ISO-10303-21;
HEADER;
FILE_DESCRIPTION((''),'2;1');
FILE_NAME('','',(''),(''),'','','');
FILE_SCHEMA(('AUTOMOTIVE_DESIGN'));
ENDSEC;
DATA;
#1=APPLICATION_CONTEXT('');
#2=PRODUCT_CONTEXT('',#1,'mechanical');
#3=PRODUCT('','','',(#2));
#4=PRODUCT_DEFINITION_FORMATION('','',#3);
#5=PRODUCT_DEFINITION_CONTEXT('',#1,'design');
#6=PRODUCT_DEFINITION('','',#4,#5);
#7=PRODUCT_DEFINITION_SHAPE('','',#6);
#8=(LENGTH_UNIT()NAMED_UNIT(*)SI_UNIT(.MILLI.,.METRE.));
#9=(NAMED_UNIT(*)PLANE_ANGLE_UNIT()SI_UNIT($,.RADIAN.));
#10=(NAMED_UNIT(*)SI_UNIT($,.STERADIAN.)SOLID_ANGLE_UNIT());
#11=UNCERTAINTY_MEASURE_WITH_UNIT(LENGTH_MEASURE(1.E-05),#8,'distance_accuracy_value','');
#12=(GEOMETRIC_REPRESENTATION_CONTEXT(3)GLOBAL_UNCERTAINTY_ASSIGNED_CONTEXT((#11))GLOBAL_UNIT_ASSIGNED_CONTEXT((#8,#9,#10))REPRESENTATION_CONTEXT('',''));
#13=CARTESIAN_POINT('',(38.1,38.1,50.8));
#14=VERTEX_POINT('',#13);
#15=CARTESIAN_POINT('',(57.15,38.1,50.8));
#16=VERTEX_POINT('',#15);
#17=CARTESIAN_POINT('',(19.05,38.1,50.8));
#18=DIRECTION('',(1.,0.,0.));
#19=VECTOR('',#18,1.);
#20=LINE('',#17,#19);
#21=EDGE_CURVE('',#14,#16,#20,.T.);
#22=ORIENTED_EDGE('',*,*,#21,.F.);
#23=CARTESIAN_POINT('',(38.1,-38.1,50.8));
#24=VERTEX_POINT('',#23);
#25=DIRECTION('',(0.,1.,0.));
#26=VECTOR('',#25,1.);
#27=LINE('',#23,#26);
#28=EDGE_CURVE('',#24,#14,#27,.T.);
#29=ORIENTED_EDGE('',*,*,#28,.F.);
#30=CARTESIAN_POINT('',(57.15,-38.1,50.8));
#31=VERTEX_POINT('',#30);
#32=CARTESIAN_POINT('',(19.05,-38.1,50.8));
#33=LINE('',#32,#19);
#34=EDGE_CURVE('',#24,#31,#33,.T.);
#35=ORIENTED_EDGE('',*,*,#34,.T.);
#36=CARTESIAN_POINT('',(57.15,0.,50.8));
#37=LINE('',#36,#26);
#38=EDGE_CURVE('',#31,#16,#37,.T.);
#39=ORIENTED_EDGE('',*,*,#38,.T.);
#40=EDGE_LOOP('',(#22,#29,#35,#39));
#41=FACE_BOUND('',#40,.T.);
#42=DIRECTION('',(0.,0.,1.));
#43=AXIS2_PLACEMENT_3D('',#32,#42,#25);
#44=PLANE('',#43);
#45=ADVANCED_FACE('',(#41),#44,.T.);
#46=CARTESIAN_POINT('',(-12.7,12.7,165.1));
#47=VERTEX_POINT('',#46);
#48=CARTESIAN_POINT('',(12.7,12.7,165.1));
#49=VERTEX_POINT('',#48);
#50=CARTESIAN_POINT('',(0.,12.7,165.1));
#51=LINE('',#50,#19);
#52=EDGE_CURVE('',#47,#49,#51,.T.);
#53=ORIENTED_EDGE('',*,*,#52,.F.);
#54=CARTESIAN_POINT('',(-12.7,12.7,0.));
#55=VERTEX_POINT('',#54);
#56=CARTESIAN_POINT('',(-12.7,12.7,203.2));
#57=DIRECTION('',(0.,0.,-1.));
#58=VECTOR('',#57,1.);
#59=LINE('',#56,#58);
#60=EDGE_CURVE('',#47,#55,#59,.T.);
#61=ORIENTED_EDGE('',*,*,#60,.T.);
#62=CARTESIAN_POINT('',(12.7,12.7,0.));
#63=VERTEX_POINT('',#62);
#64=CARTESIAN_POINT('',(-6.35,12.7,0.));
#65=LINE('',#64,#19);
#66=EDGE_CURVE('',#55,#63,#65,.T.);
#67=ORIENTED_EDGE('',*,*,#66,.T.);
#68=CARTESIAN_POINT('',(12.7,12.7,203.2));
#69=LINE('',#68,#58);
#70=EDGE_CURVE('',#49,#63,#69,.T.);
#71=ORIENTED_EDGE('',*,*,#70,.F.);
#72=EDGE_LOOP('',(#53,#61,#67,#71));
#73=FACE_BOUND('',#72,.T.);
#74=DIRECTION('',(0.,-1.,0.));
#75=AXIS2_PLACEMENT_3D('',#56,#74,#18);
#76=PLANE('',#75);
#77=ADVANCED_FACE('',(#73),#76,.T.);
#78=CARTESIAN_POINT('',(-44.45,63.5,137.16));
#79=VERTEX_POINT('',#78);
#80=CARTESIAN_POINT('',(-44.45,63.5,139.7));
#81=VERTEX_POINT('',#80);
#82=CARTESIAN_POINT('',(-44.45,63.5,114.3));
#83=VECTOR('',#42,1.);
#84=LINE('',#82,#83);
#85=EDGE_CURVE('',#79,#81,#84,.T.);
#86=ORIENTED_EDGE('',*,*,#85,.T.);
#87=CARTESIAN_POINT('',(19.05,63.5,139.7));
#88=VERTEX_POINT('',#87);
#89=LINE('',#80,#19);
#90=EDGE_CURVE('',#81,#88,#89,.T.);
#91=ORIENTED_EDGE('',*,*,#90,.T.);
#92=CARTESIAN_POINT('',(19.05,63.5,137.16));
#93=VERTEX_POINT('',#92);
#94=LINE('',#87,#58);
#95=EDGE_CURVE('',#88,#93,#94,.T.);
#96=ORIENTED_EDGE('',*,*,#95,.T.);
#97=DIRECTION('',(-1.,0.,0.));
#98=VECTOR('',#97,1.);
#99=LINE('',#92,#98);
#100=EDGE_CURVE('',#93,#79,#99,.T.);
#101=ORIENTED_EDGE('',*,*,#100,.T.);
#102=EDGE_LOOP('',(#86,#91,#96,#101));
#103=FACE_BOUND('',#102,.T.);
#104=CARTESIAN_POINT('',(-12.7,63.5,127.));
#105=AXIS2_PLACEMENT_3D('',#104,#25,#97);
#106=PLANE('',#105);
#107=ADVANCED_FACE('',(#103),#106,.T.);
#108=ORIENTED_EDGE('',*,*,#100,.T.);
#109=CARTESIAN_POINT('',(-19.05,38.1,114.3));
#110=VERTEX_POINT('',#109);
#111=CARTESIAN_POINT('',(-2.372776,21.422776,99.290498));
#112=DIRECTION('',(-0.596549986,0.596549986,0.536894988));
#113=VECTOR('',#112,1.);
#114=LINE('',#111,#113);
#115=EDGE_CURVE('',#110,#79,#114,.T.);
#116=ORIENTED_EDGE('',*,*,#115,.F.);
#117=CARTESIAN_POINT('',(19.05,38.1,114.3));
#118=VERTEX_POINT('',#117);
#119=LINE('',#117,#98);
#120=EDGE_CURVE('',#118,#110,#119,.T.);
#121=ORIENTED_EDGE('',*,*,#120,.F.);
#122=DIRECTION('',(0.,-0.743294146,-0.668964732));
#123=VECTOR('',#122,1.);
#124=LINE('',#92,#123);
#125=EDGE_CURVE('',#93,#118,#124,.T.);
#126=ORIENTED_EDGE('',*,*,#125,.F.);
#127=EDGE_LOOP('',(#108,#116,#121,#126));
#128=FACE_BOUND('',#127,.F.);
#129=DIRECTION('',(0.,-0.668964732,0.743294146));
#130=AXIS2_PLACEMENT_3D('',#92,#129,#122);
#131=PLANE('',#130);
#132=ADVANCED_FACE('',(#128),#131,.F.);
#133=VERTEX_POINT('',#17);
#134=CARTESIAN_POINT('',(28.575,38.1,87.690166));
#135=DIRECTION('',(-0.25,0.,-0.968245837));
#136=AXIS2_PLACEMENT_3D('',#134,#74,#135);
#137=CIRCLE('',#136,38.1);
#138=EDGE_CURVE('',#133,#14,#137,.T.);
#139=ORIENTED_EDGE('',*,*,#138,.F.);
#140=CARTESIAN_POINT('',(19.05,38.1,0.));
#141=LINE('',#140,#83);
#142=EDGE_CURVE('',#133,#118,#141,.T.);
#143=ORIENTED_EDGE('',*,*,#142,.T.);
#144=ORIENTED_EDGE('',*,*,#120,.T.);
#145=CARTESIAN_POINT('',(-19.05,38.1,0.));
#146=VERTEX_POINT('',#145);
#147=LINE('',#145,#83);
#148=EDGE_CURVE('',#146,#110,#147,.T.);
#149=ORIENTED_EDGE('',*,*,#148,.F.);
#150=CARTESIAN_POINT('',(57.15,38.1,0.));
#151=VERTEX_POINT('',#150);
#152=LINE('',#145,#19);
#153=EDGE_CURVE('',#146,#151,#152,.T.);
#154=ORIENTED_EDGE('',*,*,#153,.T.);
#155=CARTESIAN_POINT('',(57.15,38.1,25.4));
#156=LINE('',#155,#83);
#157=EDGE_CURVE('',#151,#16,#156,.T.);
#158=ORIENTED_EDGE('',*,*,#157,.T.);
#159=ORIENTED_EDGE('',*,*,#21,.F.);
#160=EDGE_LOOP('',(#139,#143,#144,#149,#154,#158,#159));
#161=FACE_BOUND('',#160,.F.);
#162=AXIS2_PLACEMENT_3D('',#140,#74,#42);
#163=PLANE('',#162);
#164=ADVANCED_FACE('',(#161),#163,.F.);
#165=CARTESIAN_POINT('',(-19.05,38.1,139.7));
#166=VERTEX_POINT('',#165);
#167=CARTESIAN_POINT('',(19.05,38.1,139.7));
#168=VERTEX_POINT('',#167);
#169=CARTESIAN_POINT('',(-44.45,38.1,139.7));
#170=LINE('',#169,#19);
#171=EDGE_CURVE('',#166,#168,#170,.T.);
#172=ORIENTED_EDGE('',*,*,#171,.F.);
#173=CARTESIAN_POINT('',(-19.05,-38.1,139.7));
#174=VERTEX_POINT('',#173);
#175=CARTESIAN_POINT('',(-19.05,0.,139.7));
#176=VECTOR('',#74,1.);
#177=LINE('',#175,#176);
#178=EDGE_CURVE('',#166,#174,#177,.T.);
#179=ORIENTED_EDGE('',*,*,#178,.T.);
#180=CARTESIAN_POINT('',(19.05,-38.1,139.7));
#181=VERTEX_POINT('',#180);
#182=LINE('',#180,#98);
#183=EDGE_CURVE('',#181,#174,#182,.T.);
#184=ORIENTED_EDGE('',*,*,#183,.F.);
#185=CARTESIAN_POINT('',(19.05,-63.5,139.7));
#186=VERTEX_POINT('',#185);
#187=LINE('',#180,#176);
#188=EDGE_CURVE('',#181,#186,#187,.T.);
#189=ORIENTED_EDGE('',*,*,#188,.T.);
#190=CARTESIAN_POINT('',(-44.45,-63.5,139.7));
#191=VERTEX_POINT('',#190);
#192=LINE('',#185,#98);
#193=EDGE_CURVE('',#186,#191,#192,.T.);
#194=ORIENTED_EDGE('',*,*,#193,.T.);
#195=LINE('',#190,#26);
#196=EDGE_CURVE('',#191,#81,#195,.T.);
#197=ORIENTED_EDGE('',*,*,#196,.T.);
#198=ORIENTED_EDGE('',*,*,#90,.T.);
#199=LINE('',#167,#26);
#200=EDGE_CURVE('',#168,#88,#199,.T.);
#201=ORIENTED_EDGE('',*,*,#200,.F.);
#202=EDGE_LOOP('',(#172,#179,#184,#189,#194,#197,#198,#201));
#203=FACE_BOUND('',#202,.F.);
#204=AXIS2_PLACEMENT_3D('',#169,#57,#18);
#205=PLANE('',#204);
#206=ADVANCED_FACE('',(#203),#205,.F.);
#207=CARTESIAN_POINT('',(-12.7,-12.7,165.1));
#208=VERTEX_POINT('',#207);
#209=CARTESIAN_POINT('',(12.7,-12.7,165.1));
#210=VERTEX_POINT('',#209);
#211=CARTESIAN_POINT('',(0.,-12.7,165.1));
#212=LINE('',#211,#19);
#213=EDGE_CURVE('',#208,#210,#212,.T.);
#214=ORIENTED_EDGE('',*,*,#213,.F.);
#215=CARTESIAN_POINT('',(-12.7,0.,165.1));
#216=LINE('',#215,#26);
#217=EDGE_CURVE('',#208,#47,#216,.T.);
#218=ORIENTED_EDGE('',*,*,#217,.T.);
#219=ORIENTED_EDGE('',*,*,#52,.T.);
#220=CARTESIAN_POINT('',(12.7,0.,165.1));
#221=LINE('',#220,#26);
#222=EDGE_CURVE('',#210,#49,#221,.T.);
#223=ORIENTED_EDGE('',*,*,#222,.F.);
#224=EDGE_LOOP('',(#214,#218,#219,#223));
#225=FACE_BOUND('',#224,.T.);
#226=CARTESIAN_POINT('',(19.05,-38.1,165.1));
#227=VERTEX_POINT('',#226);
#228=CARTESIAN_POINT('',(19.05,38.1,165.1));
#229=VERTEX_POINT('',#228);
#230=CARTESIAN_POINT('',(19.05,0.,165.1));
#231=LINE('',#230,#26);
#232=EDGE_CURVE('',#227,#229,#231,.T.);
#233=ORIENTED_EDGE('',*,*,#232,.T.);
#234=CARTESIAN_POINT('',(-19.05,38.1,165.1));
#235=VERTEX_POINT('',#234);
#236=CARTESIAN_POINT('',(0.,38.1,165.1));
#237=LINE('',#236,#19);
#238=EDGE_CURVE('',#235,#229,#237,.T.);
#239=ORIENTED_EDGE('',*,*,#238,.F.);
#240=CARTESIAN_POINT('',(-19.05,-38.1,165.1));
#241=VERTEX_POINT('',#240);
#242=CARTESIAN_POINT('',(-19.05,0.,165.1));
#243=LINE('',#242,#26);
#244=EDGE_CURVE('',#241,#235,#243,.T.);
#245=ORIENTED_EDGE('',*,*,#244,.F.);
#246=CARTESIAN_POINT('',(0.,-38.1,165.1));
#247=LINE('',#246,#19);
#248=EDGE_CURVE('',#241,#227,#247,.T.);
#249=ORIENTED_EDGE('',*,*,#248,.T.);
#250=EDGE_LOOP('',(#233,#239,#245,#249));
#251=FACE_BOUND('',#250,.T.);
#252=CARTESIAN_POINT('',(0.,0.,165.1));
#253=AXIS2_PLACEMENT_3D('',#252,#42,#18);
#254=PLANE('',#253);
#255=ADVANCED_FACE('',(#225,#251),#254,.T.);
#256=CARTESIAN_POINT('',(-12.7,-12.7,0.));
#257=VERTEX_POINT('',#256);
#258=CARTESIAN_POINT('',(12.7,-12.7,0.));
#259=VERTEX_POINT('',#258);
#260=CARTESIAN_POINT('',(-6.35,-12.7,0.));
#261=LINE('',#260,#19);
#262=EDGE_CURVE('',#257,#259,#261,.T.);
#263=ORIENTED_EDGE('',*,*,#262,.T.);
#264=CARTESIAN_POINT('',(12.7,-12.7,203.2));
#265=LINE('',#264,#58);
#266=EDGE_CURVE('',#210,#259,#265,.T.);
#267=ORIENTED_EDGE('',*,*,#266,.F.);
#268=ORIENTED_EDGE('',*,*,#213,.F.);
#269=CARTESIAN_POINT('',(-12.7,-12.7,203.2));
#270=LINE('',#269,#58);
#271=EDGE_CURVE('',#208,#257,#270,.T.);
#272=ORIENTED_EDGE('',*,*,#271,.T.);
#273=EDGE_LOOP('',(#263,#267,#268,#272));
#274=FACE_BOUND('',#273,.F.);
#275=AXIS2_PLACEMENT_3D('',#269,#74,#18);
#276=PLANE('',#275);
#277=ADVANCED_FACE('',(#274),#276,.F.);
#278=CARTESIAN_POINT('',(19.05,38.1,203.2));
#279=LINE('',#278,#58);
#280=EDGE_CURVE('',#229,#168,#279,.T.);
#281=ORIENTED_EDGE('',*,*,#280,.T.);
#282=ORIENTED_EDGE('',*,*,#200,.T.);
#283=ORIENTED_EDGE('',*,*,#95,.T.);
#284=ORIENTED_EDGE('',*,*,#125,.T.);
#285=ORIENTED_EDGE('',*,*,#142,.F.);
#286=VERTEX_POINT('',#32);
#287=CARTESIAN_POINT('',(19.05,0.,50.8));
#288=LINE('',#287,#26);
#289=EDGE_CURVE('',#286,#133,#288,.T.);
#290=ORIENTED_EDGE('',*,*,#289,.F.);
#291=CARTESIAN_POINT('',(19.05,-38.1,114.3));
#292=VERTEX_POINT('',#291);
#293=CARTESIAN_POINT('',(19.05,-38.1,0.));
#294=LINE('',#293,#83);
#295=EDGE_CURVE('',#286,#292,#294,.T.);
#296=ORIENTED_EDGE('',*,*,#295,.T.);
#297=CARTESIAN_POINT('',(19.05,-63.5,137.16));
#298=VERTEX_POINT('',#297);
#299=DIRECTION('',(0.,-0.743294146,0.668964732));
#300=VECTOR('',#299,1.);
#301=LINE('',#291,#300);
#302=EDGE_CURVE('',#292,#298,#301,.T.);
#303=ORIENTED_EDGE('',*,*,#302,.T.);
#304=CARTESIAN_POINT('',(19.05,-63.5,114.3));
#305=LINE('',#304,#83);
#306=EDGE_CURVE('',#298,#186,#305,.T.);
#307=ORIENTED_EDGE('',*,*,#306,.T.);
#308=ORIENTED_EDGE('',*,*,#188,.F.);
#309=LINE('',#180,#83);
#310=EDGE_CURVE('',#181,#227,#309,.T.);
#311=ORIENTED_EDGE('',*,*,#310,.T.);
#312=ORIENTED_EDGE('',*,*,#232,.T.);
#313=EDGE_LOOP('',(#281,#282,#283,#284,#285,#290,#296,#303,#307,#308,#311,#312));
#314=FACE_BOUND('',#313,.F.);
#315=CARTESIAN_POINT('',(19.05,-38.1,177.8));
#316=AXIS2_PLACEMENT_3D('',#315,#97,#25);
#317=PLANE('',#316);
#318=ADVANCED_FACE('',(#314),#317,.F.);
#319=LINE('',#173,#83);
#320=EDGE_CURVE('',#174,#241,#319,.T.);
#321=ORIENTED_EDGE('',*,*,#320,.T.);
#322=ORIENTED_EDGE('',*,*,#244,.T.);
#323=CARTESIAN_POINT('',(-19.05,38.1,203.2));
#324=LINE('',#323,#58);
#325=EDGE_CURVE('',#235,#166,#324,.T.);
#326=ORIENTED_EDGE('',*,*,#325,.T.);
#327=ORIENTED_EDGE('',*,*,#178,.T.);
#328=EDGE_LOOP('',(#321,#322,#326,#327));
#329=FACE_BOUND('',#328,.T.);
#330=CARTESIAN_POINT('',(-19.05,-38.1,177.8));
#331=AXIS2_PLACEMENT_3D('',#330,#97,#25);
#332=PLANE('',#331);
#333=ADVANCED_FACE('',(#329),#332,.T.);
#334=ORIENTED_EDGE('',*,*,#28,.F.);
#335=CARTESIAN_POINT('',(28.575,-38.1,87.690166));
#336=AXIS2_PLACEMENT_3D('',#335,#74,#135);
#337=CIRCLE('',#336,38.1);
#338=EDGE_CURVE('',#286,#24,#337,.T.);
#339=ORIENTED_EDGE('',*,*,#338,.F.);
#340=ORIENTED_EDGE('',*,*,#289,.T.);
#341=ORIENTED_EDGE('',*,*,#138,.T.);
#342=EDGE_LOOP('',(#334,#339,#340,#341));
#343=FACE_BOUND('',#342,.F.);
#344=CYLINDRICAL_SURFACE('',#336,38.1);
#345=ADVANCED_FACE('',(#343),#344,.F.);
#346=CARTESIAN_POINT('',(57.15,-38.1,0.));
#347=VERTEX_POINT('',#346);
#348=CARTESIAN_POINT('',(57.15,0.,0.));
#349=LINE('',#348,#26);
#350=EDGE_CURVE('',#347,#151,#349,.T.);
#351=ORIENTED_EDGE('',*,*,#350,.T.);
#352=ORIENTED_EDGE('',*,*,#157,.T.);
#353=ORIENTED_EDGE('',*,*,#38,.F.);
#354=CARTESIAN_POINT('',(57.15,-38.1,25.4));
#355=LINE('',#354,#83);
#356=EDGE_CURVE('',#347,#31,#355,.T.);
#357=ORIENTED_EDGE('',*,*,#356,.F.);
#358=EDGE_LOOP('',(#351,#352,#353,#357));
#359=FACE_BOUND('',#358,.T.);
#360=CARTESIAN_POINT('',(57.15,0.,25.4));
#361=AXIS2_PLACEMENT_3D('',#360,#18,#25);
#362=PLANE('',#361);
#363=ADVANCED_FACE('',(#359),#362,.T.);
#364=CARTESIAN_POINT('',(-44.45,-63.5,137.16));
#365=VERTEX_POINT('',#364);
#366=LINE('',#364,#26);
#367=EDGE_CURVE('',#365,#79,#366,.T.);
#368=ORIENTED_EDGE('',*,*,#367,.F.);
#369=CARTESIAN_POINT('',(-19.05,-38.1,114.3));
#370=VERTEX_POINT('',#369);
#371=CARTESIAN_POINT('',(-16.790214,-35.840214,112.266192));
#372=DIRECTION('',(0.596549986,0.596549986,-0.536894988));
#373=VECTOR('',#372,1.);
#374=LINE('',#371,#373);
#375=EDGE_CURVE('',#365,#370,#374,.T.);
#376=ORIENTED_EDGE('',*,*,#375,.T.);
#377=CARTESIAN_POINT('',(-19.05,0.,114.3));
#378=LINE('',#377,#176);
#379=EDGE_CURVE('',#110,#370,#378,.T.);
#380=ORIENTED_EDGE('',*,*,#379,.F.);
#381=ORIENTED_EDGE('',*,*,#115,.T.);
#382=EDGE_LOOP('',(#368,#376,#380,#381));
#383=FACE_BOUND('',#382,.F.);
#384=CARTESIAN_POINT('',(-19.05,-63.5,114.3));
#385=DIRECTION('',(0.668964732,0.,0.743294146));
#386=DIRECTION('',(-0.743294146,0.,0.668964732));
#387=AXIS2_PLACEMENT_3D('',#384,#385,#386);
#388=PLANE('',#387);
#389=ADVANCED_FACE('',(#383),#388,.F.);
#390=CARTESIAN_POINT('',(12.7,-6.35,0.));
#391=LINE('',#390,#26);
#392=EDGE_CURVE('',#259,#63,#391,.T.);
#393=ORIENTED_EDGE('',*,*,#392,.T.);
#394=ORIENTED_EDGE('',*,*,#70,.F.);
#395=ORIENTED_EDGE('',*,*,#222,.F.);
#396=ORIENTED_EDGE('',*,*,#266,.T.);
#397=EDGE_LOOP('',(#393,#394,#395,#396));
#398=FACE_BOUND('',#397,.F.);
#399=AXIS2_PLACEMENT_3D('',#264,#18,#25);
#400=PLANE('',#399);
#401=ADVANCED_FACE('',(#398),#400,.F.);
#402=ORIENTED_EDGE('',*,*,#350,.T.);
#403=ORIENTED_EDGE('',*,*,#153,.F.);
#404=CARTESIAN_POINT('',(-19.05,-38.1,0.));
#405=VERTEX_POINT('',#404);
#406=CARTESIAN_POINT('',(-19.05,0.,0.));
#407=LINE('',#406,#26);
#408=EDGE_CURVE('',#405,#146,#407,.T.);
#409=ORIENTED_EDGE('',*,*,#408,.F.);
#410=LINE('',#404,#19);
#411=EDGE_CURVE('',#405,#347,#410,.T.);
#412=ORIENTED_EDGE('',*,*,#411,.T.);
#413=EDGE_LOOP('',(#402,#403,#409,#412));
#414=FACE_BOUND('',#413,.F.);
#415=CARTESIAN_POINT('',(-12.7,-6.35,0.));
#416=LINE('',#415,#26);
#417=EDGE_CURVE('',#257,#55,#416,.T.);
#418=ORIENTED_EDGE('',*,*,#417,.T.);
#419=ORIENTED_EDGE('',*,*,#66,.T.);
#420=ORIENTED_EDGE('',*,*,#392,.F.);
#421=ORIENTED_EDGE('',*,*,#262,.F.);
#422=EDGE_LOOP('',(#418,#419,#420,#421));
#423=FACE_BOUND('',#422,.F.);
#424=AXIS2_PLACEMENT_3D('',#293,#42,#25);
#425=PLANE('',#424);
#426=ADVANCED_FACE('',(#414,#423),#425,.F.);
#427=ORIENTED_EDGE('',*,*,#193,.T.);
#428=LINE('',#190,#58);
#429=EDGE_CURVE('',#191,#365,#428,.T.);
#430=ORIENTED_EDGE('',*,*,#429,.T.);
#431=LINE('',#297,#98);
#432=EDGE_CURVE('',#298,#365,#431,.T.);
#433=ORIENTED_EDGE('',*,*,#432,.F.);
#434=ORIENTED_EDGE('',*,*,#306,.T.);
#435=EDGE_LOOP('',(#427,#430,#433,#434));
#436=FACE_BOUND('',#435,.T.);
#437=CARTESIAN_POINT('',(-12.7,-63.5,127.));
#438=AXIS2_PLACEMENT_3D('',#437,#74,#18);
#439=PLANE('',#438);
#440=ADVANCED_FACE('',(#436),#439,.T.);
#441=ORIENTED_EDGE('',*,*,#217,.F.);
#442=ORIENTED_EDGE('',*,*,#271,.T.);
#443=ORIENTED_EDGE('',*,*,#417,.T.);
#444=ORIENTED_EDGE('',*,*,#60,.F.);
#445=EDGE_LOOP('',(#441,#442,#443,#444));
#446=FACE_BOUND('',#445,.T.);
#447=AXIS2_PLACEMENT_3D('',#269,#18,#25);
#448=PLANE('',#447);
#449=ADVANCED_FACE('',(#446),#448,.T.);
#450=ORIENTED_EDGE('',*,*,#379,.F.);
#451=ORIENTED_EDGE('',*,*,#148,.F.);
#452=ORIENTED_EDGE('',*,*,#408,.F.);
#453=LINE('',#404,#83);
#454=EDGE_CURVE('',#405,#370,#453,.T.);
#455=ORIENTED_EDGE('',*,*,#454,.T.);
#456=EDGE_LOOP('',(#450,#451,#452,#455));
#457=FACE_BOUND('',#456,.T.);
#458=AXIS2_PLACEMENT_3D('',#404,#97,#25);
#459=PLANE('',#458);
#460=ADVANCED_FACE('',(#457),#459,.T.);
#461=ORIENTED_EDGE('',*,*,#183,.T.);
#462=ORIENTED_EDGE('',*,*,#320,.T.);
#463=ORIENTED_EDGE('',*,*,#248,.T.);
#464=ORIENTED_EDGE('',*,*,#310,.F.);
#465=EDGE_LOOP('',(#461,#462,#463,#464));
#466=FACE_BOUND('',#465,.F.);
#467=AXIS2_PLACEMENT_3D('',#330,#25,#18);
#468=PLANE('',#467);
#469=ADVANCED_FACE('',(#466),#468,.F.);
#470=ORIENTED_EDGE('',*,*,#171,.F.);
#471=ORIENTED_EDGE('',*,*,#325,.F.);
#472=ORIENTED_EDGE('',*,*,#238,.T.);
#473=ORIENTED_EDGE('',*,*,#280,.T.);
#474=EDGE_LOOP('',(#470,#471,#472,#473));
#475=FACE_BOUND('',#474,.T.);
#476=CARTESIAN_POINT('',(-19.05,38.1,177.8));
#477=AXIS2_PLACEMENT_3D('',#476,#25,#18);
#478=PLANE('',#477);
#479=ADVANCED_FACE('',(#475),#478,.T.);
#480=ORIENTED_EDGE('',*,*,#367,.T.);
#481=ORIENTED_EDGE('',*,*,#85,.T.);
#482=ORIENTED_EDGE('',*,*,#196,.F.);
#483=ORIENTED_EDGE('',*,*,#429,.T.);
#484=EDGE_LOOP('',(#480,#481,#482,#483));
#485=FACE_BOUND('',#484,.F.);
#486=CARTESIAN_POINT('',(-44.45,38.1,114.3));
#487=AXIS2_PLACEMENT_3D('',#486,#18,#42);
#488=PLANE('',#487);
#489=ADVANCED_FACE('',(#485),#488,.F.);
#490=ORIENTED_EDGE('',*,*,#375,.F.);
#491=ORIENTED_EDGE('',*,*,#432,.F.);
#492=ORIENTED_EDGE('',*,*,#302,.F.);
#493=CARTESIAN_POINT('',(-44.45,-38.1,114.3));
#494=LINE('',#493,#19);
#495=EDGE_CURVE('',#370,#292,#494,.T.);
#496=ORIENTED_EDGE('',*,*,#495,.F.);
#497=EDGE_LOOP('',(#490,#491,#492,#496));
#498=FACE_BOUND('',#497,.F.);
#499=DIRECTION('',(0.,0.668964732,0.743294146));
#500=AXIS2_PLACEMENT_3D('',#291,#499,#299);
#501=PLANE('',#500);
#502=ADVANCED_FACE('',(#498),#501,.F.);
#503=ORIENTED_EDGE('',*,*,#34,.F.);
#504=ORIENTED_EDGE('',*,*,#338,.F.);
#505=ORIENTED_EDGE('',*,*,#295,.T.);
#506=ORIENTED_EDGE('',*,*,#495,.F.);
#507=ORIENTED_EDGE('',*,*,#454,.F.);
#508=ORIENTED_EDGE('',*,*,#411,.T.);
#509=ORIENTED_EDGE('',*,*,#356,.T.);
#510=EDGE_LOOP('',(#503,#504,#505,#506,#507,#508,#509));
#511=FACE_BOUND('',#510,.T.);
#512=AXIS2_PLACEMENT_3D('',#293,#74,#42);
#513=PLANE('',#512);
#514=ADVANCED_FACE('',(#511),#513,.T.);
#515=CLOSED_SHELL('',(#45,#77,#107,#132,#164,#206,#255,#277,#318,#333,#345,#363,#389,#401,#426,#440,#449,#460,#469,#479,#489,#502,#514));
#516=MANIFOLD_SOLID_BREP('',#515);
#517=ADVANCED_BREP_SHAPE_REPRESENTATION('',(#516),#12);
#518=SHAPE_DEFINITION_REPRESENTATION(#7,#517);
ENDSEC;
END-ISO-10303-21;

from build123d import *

# Parameters (mm, degrees)
F0_W      = 38.1
F0_H      = 76.2
F1_DEPTH  = 177.8
F2_W      = 76.2
F2_H      = 25.4
F3_DEPTH  = 25.4
F5_DEPTH  = 25.4
F7_DEPTH  = 25.4
F9_DEPTH  = 228.6
F11_DEPTH = 228.6
F12_W     = 38.1
F12_H     = 76.2
F13_DEPTH = 25.4
F14_W     = 25.4
F14_H     = 25.4
F15_DEPTH = 228.6
F16_W     = 76.2
F16_H     = 50.8
F17_DEPTH = 38.1
F19_DEPTH = 228.6
F20_W     = 38.1
F20_H     = 76.2
F20_W_2   = 25.4
F20_H_2   = 25.4
F21_DEPTH = 38.1


with BuildPart() as f1:
    # F0 (on Top) → F1 (new body)
    with BuildSketch(Plane.XY):
        Rectangle(F0_W, F0_H)
    extrude(amount=F1_DEPTH)

    # F2 (on face) → F3 (join)
    with BuildSketch(Plane(origin=(-19.05, 0, 0), x_dir=(0, -1, 0), z_dir=(-1, 0, 0))):
        with Locations((0, 127)):
            Rectangle(F2_W, F2_H)
    extrude(amount=F3_DEPTH)

    # F4 (on face) → F5 (join)
    with BuildSketch(Plane.XZ.offset(38.1)):
        Polygon((-44.45, 139.7), (-44.45, 114.3), (-19.05, 114.3), (19.05, 114.3), (19.05, 139.7), (-19.05, 139.7), align=None)
    extrude(amount=F5_DEPTH)

    # F6 (on face) → F7 (join)
    with BuildSketch(Plane(origin=(0, 38.1, 0), x_dir=(-1, 0, 0), z_dir=(0, 1, 0))):
        Polygon((44.45, 114.3), (44.45, 139.7), (19.05, 139.7), (-19.05, 139.7), (-19.05, 114.3), (19.05, 114.3), align=None)
    extrude(amount=F7_DEPTH)

    # F8 (on face) → F9 (cut)
    with BuildSketch(Plane.YZ.offset(19.05)):
        Polygon((-38.1, 114.3), (-63.5, 137.16), (-63.5, 114.3), align=None)
        Polygon((63.5, 137.16), (38.1, 114.3), (63.5, 114.3), align=None)
    extrude(amount=-F9_DEPTH, mode=Mode.SUBTRACT)

    # F10 (on face) → F11 (cut)
    with BuildSketch(Plane.XZ.offset(63.5)):
        Polygon((-19.05, 114.3), (-44.45, 137.16), (-44.45, 114.3), align=None)
    extrude(amount=-F11_DEPTH, mode=Mode.SUBTRACT)

    # F12 (on face) → F13 (join)
    with BuildSketch(Plane.XY.offset(177.8)):
        Rectangle(F12_W, F12_H)
    extrude(amount=F13_DEPTH)

    # F14 (on face) → F15 (cut)
    with BuildSketch(Plane.XY.offset(203.2)):
        Rectangle(F14_W, F14_H)
    extrude(amount=-F15_DEPTH, mode=Mode.SUBTRACT)

    # F16 (on face) → F17 (join)
    with BuildSketch(Plane.YZ.offset(19.05)):
        with Locations((0, 25.4)):
            Rectangle(F16_W, F16_H)
    extrude(amount=F17_DEPTH)

    # F18 (on face) → F19 (cut)
    with BuildSketch(Plane.XZ.offset(38.1)):
        with BuildLine():
            Line((38.1, 50.8), (19.05, 50.8))
            ThreePointArc((19.05, 50.8), (28.575, 49.5901663726), (38.1, 50.8))
        make_face()
    extrude(amount=-F19_DEPTH, mode=Mode.SUBTRACT)

    # F20 (on face) → F21 (cut)
    with BuildSketch(Plane.XY.offset(203.2)):
        Rectangle(F20_W, F20_H)
        Rectangle(F20_W_2, F20_H_2, mode=Mode.SUBTRACT)
    extrude(amount=-F21_DEPTH, mode=Mode.SUBTRACT)


solid = f1.part
